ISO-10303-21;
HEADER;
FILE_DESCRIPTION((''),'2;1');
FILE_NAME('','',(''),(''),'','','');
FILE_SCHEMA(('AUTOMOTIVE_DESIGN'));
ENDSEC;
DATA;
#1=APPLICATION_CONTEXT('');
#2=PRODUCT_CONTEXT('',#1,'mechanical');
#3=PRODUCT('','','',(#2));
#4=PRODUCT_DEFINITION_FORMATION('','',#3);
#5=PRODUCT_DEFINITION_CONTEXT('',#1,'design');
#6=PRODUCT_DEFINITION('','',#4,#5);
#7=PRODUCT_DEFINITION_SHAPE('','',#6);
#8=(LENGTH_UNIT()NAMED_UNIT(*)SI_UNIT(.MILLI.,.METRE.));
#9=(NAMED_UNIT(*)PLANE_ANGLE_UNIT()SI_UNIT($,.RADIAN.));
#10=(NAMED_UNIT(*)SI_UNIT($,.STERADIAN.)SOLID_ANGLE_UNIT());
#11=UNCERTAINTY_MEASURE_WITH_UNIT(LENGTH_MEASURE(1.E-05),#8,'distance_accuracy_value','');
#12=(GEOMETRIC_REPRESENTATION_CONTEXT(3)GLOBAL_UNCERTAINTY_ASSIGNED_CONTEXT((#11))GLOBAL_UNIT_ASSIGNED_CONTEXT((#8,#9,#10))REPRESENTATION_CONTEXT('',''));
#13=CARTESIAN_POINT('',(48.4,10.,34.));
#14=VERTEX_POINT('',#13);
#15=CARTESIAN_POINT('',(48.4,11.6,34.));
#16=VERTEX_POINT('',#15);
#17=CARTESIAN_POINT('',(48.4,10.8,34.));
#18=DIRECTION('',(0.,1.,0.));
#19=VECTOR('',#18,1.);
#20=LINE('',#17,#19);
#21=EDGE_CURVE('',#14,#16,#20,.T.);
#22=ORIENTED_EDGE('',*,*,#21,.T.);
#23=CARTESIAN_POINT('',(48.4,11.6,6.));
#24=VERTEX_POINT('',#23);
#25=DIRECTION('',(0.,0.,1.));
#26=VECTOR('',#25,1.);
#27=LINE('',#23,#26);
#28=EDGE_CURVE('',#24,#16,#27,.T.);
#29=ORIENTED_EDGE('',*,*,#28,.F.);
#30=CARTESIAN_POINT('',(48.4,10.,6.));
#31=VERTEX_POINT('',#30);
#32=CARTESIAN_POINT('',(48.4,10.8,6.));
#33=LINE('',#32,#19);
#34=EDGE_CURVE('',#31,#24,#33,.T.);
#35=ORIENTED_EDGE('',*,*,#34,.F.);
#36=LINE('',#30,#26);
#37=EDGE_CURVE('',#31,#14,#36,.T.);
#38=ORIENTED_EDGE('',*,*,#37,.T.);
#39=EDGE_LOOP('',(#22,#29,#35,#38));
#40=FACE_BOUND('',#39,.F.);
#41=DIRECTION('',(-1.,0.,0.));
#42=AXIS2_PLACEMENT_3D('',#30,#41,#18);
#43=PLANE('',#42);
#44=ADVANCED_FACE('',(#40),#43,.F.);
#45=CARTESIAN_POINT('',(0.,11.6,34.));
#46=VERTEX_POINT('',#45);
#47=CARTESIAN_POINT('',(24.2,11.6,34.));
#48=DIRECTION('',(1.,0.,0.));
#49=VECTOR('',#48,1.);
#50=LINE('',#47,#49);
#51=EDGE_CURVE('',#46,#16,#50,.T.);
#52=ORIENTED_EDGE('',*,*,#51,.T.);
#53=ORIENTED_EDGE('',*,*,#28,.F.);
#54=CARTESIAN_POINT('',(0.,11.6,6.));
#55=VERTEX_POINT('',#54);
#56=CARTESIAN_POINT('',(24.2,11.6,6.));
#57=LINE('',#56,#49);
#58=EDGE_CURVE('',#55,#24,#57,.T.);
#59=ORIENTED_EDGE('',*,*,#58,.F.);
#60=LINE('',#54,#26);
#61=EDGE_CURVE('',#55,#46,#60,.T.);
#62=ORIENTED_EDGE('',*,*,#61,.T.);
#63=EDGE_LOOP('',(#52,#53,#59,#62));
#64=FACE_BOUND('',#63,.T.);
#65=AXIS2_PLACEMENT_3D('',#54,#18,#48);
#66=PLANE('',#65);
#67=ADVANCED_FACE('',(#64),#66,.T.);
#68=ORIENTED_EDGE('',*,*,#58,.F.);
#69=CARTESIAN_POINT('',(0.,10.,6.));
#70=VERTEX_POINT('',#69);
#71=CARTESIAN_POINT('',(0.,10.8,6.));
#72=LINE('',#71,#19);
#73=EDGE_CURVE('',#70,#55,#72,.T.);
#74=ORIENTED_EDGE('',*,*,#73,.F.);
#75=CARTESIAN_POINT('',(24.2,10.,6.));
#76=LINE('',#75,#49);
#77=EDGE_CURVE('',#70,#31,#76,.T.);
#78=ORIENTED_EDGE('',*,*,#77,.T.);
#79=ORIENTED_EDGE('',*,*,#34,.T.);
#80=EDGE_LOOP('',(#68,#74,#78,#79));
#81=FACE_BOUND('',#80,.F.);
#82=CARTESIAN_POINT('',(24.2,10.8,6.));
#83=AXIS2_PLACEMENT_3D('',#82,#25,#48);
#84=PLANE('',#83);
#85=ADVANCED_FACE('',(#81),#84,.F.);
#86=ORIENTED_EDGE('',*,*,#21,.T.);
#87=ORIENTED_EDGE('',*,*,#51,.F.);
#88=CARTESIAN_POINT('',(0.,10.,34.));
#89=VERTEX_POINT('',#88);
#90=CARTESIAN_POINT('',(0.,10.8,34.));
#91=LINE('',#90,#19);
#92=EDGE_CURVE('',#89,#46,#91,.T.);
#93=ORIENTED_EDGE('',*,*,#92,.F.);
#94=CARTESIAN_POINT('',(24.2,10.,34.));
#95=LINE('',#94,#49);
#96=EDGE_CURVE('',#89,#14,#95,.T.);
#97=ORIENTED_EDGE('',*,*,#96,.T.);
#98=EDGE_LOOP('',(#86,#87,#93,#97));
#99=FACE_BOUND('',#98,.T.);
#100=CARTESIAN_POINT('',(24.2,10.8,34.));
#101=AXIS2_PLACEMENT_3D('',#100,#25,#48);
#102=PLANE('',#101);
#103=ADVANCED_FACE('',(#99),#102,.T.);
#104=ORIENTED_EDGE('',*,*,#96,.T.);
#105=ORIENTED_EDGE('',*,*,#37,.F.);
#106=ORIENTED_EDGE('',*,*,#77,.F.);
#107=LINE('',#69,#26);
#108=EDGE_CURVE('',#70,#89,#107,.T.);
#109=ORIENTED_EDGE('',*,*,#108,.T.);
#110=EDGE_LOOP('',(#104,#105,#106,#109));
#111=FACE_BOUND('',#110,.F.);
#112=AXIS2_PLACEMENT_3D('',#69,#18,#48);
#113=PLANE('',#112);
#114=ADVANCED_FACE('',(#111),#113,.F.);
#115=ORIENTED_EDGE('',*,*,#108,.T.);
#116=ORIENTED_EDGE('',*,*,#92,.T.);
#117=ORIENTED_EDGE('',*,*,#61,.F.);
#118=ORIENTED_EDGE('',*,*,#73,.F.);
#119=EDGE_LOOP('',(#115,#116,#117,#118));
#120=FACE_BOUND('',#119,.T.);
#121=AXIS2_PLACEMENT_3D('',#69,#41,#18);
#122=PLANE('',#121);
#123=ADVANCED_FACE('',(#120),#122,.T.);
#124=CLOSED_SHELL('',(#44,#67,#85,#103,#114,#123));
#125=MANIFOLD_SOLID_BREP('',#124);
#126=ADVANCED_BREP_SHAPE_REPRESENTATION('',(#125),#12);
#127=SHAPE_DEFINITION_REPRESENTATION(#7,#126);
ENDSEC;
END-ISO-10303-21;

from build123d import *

# Parameters (mm, degrees)
CYLINDER_R       = 1.5
CYLINDER_DEPTH   = 10
ARRAY001_X_COUNT = 2
ARRAY001_X_PITCH = 43.4
ARRAY001_Z_COUNT = 2
ARRAY001_Z_PITCH = 20.4
BOX002_W         = 48.4
BOX002_H         = 1.6
BOX002_DEPTH     = 28


with BuildPart() as hole_array_clone:
    # Cylinder → Cylinder (new body)
    with BuildSketch(Plane(origin=(0, 0, 0), x_dir=(1, 0, 0), z_dir=(0, 1, 0))):
        Circle(CYLINDER_R)
    extrude(amount=CYLINDER_DEPTH)

    # Array001 X: hole array clone ×2


with BuildPart() as hole_array_clone_1:
    add(hole_array_clone.part)
    with Locations(*[(i * ARRAY001_X_PITCH, 0, 0) for i in range(1, ARRAY001_X_COUNT)]):
        add(hole_array_clone.part)

    # Array001 Z: hole array clone ×2


with BuildPart() as hole_array_clone_2:
    add(hole_array_clone_1.part)
    with Locations(*[(0, 0, i * ARRAY001_Z_PITCH) for i in range(1, ARRAY001_Z_COUNT)]):
        add(hole_array_clone_1.part)


with BuildPart() as hole_array_clone_3:
    # Array001 placement: moved
    add(hole_array_clone_2.part.moved(Location((2.5, 0, 9.8))))


with BuildPart() as pcb_mockup:
    # Box002 → Box002 (new body)
    with BuildSketch(Plane(origin=(0, 10, 6), x_dir=(1, 0, 0), z_dir=(0, 0, 1))):
        with Locations((24.2, 0.8)):
            Rectangle(BOX002_W, BOX002_H)
    extrude(amount=BOX002_DEPTH)

    # Cut: cut hole array clone
    add(hole_array_clone_3.part, mode=Mode.SUBTRACT)


solid = pcb_mockup.part
